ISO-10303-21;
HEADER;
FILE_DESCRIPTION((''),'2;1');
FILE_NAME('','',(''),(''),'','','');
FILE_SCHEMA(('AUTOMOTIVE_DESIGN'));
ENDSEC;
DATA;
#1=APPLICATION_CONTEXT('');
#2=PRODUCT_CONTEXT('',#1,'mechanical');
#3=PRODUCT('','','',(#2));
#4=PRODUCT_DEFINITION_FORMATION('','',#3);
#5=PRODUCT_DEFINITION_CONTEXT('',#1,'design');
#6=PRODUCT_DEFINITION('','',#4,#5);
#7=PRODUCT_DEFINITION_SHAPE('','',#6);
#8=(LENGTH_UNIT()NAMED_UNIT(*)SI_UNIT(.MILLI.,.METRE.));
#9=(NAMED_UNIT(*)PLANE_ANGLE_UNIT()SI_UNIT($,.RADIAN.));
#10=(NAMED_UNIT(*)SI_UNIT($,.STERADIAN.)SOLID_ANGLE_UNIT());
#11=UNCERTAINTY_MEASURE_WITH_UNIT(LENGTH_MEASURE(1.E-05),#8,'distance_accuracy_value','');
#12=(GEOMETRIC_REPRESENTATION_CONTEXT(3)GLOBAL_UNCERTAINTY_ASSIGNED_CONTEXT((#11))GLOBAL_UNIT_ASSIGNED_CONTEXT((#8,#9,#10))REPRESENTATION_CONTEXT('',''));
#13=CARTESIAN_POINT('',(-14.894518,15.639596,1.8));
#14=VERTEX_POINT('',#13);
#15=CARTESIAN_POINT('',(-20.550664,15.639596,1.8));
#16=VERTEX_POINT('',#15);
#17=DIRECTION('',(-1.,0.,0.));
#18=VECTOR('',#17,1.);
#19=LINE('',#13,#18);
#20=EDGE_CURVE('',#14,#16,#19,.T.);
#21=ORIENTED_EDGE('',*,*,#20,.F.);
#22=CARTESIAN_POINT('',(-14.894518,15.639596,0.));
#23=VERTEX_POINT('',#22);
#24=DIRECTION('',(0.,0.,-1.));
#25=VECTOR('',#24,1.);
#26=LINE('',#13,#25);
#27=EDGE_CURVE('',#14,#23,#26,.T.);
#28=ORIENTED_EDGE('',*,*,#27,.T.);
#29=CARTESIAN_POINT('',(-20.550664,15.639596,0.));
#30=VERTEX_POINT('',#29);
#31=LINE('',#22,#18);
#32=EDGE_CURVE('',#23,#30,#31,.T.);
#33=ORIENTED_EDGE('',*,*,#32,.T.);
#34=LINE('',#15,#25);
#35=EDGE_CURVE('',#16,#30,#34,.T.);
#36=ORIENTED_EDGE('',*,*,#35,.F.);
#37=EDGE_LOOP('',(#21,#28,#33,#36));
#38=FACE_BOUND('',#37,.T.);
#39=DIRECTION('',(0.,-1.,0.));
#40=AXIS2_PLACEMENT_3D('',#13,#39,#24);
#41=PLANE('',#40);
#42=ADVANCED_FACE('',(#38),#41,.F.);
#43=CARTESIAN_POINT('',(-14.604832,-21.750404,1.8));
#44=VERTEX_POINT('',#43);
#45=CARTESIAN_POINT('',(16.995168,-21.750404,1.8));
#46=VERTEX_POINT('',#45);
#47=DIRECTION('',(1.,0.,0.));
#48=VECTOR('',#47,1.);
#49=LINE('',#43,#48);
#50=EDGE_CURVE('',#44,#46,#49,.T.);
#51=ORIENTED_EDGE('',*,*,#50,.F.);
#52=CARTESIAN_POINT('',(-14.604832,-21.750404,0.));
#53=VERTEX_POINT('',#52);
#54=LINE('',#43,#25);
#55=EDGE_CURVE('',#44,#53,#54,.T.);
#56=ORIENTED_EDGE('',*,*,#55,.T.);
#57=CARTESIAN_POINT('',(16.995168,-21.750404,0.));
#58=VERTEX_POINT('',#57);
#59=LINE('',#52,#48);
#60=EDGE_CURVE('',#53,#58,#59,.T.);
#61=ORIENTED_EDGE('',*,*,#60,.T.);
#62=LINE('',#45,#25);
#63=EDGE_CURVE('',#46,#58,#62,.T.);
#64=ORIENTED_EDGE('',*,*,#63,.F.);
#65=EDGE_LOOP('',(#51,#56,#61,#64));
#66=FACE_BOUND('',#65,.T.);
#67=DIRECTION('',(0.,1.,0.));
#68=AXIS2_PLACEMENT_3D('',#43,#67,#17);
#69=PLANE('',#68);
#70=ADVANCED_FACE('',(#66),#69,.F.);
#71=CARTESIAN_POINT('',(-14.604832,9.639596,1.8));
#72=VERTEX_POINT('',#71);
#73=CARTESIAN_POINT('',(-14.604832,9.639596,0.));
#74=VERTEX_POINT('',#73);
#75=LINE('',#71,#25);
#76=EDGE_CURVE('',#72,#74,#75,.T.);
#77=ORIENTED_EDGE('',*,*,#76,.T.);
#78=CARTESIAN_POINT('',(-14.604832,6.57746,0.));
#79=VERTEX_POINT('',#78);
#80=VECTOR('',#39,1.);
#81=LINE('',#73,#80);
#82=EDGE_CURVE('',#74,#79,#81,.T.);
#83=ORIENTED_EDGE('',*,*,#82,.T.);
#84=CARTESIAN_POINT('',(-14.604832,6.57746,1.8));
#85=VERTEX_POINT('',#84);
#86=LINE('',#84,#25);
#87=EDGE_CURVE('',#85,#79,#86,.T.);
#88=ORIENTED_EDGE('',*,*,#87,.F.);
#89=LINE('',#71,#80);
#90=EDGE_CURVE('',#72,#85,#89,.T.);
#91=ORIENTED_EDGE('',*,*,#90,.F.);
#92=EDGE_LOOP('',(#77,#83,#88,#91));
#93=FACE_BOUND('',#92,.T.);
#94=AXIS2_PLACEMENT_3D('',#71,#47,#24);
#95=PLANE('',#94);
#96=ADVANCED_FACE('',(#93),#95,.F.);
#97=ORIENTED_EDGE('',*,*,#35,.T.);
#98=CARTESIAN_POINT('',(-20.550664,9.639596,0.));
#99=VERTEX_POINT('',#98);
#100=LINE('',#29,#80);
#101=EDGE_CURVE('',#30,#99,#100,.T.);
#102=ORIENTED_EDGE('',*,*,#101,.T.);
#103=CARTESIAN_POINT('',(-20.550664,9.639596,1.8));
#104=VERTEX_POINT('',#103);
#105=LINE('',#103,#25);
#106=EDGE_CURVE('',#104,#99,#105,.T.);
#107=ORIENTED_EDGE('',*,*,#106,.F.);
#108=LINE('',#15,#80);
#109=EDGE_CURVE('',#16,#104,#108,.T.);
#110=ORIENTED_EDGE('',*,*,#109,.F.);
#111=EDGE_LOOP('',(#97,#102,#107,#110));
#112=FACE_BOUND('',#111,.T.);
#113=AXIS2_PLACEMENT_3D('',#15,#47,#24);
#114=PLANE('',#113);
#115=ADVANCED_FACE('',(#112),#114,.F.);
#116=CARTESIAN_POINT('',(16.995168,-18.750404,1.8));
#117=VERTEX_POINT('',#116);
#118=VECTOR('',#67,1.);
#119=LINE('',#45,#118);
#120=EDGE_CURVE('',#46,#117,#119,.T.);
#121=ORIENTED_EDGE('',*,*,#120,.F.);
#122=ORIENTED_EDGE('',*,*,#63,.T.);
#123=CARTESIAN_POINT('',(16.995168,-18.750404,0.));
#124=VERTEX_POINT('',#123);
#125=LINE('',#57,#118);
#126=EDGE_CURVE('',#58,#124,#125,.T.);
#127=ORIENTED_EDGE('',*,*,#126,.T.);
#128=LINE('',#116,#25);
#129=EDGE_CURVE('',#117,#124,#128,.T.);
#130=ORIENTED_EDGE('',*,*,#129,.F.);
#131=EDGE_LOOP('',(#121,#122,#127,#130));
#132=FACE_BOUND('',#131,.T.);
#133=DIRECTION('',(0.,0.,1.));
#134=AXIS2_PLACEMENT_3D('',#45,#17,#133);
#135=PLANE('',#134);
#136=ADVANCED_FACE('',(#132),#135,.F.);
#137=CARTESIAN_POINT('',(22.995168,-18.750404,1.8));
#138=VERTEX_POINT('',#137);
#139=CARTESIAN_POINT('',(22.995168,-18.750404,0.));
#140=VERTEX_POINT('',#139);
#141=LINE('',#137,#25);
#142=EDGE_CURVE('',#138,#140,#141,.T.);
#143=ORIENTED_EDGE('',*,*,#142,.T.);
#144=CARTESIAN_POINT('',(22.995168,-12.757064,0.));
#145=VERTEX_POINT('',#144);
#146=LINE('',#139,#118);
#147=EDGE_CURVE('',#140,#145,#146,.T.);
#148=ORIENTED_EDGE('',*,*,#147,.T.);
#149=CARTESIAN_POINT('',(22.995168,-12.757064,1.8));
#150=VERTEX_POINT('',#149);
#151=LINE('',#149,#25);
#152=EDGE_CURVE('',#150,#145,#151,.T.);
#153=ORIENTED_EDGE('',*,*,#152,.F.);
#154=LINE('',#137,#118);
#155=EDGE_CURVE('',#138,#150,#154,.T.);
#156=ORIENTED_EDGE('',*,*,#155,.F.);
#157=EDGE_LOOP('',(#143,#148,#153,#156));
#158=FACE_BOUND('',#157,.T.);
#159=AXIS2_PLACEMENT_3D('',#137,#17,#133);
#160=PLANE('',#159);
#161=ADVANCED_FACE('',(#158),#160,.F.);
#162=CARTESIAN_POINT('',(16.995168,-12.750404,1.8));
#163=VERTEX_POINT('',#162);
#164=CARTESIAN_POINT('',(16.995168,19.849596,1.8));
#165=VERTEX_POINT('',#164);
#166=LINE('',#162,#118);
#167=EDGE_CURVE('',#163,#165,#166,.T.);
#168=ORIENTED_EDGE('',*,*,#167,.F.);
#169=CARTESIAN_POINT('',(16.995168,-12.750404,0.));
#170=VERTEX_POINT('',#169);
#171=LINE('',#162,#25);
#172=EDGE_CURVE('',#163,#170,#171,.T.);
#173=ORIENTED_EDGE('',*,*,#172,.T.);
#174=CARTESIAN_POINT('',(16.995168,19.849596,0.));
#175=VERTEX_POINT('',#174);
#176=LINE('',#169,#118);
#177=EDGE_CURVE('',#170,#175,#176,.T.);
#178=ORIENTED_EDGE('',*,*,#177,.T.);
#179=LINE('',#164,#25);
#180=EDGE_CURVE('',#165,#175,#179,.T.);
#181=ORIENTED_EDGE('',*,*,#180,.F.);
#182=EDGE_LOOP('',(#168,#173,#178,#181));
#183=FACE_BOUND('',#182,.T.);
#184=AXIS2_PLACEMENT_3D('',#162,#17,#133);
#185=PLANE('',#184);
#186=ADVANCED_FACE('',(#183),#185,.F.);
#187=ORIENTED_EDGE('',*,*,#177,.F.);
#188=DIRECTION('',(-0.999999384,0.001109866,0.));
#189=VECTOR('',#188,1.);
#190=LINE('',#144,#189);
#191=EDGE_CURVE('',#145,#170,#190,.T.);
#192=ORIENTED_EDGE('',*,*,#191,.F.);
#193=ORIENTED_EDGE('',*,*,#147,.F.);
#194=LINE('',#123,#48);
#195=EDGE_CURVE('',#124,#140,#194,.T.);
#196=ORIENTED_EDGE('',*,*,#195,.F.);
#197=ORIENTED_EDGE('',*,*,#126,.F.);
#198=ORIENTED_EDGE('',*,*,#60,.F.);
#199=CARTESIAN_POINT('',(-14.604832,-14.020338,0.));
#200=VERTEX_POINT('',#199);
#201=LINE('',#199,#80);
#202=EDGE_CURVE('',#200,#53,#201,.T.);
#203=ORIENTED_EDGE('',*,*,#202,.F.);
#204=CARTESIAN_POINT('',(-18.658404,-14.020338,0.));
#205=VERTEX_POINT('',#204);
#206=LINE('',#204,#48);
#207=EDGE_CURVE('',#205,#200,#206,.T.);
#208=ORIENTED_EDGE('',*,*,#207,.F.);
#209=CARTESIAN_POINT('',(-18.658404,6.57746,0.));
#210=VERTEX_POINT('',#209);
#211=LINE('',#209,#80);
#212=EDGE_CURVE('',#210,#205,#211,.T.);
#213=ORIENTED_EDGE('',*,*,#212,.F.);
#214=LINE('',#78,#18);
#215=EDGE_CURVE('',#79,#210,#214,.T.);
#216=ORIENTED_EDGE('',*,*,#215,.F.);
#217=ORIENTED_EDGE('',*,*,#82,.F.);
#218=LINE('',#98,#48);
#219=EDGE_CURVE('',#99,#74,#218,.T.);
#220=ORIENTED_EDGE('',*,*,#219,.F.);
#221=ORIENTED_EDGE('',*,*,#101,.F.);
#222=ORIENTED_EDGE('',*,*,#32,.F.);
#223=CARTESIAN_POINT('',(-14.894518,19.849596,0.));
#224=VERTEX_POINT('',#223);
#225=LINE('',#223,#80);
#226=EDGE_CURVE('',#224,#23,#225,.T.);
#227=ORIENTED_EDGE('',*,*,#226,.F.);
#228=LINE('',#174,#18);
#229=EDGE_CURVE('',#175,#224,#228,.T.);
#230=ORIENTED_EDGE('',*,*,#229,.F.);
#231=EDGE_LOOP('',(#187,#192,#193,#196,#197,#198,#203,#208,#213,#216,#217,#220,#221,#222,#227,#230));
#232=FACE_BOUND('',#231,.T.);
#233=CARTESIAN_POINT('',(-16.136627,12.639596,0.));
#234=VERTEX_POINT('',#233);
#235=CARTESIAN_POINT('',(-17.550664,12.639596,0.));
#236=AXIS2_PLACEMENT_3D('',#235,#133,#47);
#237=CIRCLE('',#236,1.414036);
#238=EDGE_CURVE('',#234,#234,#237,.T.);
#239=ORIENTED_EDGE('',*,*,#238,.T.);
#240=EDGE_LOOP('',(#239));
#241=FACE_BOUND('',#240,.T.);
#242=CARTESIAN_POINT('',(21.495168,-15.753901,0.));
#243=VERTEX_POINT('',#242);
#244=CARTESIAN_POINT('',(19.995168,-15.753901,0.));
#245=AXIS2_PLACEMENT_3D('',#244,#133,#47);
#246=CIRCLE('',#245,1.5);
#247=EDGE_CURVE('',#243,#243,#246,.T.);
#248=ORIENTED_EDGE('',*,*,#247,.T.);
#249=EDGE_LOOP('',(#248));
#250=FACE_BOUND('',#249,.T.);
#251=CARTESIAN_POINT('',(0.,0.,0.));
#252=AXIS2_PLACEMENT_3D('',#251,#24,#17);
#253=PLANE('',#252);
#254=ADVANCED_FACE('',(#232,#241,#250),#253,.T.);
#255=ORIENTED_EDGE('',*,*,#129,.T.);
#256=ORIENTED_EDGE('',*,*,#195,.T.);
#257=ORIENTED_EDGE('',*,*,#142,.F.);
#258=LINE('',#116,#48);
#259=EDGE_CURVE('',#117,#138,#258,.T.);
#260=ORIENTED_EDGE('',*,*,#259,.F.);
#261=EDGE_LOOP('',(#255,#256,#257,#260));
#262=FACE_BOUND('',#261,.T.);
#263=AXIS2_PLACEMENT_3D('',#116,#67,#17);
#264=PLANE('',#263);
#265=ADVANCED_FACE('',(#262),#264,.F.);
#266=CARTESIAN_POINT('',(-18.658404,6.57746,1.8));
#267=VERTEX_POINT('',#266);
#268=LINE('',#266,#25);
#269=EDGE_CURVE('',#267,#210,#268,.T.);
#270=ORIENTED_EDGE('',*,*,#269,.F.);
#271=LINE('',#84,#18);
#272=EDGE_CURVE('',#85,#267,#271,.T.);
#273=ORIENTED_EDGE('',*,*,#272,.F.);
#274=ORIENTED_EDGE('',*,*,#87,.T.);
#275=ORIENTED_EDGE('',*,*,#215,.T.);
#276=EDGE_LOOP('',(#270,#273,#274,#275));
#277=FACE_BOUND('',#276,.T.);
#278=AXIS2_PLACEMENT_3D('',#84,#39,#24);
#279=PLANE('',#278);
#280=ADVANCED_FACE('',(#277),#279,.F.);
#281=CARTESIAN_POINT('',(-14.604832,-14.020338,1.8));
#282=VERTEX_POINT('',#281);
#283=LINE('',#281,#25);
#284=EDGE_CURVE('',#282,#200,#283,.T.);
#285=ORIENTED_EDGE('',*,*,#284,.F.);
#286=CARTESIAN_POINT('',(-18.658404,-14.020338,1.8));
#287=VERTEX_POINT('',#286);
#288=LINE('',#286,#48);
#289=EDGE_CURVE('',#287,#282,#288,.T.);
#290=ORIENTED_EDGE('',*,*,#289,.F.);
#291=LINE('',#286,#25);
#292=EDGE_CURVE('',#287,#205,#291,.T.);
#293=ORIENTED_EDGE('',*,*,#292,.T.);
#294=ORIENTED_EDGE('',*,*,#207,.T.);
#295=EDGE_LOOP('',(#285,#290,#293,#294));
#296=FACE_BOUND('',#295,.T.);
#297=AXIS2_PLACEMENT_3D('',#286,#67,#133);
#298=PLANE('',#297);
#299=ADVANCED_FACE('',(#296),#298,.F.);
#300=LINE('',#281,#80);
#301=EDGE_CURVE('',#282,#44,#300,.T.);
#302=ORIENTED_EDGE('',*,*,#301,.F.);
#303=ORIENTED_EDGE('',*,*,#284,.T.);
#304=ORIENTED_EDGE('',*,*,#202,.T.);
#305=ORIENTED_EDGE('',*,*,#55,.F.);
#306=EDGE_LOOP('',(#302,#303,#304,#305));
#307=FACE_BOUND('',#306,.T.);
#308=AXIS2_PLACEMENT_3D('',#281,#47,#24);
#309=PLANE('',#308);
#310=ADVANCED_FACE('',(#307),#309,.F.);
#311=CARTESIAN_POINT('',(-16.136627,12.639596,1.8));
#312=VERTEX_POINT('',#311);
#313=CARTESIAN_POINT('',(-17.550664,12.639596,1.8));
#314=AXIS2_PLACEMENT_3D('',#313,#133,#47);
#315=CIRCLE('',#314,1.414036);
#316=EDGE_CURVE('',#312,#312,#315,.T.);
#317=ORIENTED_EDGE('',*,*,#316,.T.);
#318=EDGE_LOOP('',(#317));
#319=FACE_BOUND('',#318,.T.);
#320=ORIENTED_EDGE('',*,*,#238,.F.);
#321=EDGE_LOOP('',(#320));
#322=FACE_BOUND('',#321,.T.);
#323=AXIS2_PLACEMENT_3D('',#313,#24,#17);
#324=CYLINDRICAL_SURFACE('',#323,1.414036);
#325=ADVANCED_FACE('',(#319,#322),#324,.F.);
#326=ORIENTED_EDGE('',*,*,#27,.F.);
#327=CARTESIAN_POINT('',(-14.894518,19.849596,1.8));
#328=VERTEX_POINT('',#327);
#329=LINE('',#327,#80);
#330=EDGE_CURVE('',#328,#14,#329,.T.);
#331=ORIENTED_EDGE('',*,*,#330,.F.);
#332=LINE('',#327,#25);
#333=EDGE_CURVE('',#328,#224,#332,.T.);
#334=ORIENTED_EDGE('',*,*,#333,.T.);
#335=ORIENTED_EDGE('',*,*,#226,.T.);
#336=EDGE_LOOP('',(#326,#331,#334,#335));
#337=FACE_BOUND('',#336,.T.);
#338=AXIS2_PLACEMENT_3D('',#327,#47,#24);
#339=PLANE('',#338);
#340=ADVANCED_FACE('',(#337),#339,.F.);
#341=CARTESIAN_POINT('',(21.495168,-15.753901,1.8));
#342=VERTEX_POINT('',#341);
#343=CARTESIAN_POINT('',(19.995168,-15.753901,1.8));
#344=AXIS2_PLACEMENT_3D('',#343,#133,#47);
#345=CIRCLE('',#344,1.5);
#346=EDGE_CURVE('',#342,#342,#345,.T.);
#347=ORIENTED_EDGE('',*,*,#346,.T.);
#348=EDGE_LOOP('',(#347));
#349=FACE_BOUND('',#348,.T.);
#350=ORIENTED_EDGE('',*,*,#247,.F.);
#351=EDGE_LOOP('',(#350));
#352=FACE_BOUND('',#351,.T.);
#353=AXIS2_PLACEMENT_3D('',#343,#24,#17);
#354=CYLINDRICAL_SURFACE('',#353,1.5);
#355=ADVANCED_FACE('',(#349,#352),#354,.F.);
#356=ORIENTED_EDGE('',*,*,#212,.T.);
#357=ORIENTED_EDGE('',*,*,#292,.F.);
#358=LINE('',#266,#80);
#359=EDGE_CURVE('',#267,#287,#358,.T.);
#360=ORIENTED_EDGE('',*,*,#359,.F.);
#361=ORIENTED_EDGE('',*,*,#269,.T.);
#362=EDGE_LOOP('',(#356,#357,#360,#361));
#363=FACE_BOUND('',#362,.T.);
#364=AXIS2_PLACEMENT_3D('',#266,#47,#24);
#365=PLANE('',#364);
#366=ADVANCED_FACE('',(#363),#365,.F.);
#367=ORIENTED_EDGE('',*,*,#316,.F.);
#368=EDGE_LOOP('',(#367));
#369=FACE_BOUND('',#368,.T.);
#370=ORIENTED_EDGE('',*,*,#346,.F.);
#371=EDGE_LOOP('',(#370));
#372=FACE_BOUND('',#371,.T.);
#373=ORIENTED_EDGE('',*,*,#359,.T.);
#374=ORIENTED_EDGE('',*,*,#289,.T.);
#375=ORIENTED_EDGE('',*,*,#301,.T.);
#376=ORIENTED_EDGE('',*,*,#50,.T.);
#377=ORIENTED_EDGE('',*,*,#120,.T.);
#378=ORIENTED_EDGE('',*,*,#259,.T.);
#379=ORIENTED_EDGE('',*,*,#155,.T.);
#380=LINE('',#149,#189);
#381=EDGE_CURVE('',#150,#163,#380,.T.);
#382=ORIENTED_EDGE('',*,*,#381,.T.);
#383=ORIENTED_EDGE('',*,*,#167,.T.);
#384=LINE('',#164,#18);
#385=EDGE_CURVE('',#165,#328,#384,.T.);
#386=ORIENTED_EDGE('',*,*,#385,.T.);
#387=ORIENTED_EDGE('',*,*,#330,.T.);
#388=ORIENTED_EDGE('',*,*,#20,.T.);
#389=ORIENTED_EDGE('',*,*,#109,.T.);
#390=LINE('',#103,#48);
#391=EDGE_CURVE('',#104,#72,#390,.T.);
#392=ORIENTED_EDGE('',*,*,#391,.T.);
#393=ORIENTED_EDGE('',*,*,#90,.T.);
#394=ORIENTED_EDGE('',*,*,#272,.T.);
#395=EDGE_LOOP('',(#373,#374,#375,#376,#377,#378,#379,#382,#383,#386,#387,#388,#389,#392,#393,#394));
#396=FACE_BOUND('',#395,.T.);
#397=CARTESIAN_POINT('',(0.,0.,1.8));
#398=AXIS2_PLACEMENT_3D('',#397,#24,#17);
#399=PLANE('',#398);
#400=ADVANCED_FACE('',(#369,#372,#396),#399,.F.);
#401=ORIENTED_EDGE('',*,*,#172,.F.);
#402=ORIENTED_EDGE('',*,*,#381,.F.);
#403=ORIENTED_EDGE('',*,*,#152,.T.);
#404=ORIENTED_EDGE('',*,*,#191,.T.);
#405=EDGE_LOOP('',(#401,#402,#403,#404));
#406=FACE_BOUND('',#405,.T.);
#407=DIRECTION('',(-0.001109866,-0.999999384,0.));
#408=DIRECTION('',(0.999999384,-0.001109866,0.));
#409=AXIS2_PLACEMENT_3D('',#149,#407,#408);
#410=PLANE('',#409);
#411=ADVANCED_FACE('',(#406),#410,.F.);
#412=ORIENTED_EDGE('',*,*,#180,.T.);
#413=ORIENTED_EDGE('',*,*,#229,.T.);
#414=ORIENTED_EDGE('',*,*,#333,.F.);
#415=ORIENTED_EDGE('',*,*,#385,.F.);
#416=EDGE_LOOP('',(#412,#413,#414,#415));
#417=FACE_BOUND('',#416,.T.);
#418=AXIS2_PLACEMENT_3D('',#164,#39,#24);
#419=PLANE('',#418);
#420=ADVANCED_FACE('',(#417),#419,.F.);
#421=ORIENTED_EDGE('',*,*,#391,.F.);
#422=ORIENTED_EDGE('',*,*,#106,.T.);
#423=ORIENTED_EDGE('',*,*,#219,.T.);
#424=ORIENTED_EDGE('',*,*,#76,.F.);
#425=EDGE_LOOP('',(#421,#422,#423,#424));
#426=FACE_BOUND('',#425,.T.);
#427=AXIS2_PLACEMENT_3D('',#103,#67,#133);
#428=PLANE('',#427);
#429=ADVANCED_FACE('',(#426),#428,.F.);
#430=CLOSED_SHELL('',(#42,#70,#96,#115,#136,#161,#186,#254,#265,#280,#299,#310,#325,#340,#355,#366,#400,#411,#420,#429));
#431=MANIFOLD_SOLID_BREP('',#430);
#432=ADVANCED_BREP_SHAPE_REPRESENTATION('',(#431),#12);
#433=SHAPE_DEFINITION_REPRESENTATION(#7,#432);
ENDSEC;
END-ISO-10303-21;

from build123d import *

# Parameters (mm, degrees)
SKETCH1_R           = 1.414036492
SKETCH1_R_2         = 1.5
BOSS_EXTRUDE1_DEPTH = 1.8


with BuildPart() as part:
    # Sketch1 → Boss-Extrude1 (new body)
    with BuildSketch(Plane.XY):
        Polygon((-14.604832392, 9.639595654), (-14.604832392, 6.577460034), (-18.658403667, 6.577460034), (-18.658403667, -14.020338192), (-14.604832392, -14.020338192), (-14.604832392, -21.750404346), (16.995167608, -21.750404346), (16.995167608, -18.750404346), (22.995167608, -18.750404346), (22.995167608, -12.757063543), (16.995167608, -12.750404346), (16.995167608, 19.849595654), (-14.894517711, 19.849595654), (-14.894517711, 15.639595654), (-20.550663677, 15.639595654), (-20.550663677, 9.639595654), align=None)
        with Locations((-17.550663677, 12.639595654)):
            Circle(SKETCH1_R, mode=Mode.SUBTRACT)
        with Locations((19.995167608, -15.753900813)):
            Circle(SKETCH1_R_2, mode=Mode.SUBTRACT)
    extrude(amount=BOSS_EXTRUDE1_DEPTH)


solid = part.part
